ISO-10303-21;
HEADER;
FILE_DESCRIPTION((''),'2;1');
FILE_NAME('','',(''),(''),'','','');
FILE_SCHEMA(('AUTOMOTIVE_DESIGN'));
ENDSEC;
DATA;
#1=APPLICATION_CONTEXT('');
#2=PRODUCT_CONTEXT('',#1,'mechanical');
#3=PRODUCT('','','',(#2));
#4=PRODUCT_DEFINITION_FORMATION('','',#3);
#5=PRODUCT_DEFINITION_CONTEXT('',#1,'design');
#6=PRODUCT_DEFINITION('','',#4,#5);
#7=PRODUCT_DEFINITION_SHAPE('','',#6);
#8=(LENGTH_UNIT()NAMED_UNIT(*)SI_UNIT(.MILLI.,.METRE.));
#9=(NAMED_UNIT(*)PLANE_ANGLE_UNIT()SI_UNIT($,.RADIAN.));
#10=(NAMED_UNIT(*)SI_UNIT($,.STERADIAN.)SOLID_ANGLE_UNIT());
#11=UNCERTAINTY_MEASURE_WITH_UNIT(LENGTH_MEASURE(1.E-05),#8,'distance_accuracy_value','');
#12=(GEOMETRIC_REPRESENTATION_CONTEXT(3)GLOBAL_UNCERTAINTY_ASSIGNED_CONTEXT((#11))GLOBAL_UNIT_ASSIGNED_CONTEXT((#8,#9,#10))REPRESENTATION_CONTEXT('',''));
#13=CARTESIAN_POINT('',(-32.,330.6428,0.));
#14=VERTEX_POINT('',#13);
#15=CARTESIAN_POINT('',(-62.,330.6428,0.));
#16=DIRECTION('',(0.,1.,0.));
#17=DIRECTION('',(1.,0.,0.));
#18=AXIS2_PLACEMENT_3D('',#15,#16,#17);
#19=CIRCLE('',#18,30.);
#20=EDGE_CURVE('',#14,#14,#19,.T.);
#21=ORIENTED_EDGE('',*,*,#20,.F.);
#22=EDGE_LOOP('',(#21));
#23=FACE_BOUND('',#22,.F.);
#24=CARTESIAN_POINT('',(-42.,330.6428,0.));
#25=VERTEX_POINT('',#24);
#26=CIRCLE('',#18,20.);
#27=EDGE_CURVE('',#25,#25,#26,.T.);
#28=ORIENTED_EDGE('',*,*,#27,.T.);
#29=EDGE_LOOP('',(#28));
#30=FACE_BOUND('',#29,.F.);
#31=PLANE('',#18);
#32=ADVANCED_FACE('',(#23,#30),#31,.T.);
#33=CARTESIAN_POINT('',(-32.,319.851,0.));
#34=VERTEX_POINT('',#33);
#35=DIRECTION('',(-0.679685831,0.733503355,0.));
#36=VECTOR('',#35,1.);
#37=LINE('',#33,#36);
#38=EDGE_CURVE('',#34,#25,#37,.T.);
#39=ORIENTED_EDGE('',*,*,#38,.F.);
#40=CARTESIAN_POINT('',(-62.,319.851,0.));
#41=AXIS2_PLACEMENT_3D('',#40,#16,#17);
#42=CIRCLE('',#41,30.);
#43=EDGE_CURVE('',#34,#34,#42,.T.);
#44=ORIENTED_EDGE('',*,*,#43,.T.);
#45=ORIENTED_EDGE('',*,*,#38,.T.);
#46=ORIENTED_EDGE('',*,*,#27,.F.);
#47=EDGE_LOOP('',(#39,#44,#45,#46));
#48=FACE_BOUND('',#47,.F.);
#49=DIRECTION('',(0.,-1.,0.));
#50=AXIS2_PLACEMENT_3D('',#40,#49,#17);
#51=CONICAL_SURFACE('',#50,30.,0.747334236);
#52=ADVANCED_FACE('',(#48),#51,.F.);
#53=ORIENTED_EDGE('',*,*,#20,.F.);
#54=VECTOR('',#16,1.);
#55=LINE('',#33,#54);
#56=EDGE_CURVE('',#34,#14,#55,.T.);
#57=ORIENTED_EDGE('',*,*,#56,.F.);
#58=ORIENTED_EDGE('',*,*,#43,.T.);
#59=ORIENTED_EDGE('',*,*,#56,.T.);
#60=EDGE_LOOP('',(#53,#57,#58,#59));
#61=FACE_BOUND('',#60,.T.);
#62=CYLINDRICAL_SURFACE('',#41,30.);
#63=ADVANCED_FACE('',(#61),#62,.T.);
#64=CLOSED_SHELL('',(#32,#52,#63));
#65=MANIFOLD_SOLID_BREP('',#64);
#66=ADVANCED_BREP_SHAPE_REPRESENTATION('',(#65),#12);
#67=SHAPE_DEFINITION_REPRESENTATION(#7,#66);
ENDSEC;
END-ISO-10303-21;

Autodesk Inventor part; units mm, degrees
ref_plane "YZ Plane" through (0, 0, 0) normal (1, 0, 0) x (0, 1, 0)
ref_plane "XZ Plane" through (0, 0, 0) normal (0, 1, 0) x (-1, 0, 0)
ref_plane "XY Plane" through (0, 0, 0) normal (0, 0, 1) x (1, 0, 0)
ref_plane "Work Plane1" through (0, 285.3175, 0) normal (0, 0, 1) x (-1, 0, 0)
sketch "Sketch1" plane through (0, 285.3175, 0) normal (0, 0, 1) x (-1, 0, 0)
  line L0 (92, -45.3253) -> (32, -45.3253) projected
  line L1 (32, -34.5335) -> (42, -45.3253)
  line L2 (32, -45.3253) -> (42, -45.3253)
  line L3 (42, -45.3253) -> (32, -34.5335)
  line L4 (32, -34.5335) -> (32, -45.3253)
  line L5 (62, -0.0782) -> (62, -47.9486) construction
  point P0 (0, 285.3175)
revolve "Revolution1" add sketch "Sketch1" angle 360 about axis through (-62, 285.3957, 0) along (0, 1, 0)
